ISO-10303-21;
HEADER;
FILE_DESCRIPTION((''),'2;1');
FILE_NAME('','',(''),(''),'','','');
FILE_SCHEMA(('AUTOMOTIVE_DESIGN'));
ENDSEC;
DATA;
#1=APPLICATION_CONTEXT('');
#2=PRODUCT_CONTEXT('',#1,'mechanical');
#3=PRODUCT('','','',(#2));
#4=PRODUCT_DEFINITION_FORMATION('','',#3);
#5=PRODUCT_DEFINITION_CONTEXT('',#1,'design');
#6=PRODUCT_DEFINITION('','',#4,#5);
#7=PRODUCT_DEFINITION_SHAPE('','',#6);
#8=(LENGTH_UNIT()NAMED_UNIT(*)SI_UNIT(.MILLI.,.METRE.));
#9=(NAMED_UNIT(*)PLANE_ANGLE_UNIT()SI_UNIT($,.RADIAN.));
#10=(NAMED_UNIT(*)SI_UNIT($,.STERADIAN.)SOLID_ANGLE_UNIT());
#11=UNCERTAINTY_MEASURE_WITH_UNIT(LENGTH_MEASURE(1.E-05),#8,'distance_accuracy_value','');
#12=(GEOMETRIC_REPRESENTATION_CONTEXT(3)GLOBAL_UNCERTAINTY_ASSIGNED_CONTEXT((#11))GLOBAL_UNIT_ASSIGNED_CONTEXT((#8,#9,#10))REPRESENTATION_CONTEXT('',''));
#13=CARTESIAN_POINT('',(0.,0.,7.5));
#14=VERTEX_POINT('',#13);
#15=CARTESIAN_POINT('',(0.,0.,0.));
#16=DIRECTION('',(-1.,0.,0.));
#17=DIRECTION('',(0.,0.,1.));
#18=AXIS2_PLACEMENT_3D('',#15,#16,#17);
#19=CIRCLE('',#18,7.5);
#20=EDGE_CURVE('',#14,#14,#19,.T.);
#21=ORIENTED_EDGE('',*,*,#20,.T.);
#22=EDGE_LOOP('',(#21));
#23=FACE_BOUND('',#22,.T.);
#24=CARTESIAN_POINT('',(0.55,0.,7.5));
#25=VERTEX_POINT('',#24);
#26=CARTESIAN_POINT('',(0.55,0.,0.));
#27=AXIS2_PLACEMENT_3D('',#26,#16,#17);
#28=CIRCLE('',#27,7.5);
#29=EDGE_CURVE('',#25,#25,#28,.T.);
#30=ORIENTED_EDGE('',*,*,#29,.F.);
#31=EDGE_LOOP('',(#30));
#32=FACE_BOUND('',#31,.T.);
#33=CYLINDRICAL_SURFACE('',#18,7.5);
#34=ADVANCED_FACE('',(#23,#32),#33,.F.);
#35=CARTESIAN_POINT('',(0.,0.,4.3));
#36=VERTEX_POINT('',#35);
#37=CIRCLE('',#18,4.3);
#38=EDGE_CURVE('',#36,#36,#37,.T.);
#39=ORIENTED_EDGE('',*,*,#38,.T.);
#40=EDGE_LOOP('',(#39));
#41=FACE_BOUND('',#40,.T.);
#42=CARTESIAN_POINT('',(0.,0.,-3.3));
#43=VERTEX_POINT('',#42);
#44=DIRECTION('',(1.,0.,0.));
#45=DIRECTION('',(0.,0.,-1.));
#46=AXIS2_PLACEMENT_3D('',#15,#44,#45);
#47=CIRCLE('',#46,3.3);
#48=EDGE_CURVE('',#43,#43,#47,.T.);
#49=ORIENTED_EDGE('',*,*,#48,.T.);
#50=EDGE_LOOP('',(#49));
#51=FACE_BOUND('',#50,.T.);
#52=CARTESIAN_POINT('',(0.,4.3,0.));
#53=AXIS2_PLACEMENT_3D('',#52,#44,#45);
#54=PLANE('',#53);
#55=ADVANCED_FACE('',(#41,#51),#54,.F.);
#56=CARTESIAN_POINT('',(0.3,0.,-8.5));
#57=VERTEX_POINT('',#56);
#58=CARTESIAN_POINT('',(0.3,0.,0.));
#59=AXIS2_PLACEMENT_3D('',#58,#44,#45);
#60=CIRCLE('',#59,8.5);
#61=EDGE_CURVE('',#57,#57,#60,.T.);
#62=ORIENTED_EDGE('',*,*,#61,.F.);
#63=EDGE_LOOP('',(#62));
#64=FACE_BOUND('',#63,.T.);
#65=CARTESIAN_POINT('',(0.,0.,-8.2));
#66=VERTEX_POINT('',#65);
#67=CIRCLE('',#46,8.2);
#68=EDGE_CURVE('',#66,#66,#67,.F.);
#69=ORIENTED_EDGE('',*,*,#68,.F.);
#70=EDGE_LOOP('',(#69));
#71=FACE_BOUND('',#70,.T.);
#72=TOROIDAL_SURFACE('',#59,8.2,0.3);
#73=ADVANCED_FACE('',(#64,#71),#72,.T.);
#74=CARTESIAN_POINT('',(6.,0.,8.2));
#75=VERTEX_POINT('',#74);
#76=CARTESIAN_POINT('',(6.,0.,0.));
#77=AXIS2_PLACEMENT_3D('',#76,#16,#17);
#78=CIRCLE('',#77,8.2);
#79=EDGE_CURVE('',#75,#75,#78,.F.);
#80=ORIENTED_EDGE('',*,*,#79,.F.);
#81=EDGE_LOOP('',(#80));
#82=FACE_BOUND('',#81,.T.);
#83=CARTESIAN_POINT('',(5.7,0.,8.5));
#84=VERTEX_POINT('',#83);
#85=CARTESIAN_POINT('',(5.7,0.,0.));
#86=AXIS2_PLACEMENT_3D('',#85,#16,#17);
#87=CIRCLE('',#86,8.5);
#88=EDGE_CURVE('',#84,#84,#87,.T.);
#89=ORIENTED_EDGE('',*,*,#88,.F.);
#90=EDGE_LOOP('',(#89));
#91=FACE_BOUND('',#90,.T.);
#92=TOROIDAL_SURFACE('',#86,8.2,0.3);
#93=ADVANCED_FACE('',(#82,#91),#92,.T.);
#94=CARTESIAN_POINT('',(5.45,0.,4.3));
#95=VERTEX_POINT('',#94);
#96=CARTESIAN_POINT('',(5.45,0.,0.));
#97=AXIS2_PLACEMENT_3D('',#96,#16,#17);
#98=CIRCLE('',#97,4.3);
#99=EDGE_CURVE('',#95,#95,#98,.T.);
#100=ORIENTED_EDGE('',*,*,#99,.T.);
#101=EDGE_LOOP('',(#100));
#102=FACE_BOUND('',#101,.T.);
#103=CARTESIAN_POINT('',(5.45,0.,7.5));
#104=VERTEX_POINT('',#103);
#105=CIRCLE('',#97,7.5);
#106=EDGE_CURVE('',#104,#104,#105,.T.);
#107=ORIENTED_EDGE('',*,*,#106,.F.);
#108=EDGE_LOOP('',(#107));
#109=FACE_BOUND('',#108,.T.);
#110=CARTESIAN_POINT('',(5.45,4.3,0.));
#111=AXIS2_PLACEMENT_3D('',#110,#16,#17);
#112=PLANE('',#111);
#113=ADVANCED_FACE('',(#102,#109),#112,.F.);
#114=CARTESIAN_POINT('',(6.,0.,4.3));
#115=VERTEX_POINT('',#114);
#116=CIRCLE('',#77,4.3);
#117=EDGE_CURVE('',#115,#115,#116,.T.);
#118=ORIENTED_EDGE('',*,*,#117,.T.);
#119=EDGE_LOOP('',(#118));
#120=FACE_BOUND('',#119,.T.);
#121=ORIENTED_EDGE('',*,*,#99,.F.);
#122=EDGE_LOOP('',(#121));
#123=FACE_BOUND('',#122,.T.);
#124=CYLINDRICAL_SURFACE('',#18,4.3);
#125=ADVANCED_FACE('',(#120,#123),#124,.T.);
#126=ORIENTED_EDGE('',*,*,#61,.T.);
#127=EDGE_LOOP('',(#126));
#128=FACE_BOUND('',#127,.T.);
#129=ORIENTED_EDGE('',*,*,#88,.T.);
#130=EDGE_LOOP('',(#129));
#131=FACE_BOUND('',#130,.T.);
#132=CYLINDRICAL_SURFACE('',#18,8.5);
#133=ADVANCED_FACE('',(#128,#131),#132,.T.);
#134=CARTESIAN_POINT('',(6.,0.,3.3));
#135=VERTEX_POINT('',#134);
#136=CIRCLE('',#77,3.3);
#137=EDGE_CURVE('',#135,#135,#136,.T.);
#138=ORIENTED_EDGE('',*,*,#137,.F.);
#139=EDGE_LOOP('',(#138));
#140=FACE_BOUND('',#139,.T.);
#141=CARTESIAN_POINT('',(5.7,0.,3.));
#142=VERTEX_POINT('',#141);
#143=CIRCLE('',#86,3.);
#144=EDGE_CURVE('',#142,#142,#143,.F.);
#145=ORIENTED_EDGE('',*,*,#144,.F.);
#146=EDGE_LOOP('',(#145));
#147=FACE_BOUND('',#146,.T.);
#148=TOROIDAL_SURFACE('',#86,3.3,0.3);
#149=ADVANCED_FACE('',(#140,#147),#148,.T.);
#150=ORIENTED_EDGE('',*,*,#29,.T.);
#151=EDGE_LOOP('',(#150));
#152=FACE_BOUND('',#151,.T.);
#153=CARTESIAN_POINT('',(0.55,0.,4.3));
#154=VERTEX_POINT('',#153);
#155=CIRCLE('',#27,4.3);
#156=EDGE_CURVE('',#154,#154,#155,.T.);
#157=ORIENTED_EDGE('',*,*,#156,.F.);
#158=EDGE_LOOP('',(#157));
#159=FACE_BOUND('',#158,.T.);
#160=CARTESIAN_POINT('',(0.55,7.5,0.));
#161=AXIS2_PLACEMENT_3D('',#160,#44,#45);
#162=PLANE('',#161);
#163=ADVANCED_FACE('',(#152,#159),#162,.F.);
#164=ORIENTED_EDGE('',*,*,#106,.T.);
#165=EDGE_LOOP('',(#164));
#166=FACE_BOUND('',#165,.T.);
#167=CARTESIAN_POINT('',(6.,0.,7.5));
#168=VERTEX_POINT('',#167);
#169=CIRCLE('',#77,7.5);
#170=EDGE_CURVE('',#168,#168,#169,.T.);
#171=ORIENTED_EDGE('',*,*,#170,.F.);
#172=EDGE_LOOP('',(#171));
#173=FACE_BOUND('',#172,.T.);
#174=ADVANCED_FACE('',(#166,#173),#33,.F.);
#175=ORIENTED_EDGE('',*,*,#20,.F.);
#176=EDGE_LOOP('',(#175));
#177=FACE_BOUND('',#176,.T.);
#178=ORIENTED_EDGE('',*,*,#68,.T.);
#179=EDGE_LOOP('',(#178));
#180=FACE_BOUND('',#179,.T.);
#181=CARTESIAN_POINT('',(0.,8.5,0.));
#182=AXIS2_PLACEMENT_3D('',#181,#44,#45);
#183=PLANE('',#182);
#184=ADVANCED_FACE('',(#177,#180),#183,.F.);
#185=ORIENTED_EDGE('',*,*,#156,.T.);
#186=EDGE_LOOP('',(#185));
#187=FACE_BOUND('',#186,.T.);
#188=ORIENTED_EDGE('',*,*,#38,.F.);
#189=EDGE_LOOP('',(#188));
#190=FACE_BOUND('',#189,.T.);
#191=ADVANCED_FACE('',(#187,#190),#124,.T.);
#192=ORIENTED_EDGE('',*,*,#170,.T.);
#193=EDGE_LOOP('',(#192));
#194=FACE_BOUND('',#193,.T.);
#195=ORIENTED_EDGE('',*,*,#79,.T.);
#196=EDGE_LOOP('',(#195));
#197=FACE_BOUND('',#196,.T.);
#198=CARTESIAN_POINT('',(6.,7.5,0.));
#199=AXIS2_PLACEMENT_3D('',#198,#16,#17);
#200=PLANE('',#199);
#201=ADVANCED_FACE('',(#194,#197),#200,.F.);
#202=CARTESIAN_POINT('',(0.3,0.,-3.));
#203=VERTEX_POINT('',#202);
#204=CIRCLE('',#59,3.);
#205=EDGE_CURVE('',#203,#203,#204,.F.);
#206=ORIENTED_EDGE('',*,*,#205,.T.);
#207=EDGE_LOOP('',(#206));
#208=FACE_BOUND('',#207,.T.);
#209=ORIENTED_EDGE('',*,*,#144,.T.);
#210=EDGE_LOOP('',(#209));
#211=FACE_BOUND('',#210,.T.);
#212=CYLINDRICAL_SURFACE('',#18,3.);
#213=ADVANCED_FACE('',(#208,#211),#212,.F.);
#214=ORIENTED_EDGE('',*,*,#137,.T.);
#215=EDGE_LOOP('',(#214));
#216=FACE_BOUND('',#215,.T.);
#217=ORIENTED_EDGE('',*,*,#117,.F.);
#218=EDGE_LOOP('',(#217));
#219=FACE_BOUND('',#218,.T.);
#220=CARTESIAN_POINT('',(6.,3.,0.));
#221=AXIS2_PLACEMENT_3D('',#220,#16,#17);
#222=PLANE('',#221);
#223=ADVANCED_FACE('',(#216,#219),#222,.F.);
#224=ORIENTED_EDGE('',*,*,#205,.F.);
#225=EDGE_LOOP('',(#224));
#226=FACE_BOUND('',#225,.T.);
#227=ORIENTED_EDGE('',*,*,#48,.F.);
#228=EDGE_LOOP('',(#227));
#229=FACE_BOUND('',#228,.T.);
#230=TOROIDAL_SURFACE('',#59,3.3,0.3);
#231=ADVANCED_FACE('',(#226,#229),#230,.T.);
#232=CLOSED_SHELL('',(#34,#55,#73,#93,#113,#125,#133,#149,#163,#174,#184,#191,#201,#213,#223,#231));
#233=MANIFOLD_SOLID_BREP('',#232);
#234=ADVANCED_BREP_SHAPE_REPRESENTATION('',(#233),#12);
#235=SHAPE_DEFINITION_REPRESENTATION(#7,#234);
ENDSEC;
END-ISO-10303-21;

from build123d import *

# Parameters (mm, degrees)
FILLET1_R = 0.3


with BuildPart() as part:
    # Sketch1 → Revolve1 (revolve)
    with BuildSketch(Plane.XY):
        Polygon((0, 3), (6, 3), (6, 4.3), (5.45, 4.3), (5.45, 7.5), (6, 7.5), (6, 8.5), (0, 8.5), (0, 7.5), (0.55, 7.5), (0.55, 4.3), (0, 4.3), align=None)
    revolve(axis=Axis((0, 0, 0), (1, 0, 0)))

    # Fillet1
    fillet1_edges = [part.edges().sort_by_distance(p)[0] for p in [
        (0, -8.5, 0),
        (6, -8.5, 0),
        (6, -3, 0),
        (0, -3, 0),
    ]]
    fillet(fillet1_edges, radius=FILLET1_R)


solid = part.part
